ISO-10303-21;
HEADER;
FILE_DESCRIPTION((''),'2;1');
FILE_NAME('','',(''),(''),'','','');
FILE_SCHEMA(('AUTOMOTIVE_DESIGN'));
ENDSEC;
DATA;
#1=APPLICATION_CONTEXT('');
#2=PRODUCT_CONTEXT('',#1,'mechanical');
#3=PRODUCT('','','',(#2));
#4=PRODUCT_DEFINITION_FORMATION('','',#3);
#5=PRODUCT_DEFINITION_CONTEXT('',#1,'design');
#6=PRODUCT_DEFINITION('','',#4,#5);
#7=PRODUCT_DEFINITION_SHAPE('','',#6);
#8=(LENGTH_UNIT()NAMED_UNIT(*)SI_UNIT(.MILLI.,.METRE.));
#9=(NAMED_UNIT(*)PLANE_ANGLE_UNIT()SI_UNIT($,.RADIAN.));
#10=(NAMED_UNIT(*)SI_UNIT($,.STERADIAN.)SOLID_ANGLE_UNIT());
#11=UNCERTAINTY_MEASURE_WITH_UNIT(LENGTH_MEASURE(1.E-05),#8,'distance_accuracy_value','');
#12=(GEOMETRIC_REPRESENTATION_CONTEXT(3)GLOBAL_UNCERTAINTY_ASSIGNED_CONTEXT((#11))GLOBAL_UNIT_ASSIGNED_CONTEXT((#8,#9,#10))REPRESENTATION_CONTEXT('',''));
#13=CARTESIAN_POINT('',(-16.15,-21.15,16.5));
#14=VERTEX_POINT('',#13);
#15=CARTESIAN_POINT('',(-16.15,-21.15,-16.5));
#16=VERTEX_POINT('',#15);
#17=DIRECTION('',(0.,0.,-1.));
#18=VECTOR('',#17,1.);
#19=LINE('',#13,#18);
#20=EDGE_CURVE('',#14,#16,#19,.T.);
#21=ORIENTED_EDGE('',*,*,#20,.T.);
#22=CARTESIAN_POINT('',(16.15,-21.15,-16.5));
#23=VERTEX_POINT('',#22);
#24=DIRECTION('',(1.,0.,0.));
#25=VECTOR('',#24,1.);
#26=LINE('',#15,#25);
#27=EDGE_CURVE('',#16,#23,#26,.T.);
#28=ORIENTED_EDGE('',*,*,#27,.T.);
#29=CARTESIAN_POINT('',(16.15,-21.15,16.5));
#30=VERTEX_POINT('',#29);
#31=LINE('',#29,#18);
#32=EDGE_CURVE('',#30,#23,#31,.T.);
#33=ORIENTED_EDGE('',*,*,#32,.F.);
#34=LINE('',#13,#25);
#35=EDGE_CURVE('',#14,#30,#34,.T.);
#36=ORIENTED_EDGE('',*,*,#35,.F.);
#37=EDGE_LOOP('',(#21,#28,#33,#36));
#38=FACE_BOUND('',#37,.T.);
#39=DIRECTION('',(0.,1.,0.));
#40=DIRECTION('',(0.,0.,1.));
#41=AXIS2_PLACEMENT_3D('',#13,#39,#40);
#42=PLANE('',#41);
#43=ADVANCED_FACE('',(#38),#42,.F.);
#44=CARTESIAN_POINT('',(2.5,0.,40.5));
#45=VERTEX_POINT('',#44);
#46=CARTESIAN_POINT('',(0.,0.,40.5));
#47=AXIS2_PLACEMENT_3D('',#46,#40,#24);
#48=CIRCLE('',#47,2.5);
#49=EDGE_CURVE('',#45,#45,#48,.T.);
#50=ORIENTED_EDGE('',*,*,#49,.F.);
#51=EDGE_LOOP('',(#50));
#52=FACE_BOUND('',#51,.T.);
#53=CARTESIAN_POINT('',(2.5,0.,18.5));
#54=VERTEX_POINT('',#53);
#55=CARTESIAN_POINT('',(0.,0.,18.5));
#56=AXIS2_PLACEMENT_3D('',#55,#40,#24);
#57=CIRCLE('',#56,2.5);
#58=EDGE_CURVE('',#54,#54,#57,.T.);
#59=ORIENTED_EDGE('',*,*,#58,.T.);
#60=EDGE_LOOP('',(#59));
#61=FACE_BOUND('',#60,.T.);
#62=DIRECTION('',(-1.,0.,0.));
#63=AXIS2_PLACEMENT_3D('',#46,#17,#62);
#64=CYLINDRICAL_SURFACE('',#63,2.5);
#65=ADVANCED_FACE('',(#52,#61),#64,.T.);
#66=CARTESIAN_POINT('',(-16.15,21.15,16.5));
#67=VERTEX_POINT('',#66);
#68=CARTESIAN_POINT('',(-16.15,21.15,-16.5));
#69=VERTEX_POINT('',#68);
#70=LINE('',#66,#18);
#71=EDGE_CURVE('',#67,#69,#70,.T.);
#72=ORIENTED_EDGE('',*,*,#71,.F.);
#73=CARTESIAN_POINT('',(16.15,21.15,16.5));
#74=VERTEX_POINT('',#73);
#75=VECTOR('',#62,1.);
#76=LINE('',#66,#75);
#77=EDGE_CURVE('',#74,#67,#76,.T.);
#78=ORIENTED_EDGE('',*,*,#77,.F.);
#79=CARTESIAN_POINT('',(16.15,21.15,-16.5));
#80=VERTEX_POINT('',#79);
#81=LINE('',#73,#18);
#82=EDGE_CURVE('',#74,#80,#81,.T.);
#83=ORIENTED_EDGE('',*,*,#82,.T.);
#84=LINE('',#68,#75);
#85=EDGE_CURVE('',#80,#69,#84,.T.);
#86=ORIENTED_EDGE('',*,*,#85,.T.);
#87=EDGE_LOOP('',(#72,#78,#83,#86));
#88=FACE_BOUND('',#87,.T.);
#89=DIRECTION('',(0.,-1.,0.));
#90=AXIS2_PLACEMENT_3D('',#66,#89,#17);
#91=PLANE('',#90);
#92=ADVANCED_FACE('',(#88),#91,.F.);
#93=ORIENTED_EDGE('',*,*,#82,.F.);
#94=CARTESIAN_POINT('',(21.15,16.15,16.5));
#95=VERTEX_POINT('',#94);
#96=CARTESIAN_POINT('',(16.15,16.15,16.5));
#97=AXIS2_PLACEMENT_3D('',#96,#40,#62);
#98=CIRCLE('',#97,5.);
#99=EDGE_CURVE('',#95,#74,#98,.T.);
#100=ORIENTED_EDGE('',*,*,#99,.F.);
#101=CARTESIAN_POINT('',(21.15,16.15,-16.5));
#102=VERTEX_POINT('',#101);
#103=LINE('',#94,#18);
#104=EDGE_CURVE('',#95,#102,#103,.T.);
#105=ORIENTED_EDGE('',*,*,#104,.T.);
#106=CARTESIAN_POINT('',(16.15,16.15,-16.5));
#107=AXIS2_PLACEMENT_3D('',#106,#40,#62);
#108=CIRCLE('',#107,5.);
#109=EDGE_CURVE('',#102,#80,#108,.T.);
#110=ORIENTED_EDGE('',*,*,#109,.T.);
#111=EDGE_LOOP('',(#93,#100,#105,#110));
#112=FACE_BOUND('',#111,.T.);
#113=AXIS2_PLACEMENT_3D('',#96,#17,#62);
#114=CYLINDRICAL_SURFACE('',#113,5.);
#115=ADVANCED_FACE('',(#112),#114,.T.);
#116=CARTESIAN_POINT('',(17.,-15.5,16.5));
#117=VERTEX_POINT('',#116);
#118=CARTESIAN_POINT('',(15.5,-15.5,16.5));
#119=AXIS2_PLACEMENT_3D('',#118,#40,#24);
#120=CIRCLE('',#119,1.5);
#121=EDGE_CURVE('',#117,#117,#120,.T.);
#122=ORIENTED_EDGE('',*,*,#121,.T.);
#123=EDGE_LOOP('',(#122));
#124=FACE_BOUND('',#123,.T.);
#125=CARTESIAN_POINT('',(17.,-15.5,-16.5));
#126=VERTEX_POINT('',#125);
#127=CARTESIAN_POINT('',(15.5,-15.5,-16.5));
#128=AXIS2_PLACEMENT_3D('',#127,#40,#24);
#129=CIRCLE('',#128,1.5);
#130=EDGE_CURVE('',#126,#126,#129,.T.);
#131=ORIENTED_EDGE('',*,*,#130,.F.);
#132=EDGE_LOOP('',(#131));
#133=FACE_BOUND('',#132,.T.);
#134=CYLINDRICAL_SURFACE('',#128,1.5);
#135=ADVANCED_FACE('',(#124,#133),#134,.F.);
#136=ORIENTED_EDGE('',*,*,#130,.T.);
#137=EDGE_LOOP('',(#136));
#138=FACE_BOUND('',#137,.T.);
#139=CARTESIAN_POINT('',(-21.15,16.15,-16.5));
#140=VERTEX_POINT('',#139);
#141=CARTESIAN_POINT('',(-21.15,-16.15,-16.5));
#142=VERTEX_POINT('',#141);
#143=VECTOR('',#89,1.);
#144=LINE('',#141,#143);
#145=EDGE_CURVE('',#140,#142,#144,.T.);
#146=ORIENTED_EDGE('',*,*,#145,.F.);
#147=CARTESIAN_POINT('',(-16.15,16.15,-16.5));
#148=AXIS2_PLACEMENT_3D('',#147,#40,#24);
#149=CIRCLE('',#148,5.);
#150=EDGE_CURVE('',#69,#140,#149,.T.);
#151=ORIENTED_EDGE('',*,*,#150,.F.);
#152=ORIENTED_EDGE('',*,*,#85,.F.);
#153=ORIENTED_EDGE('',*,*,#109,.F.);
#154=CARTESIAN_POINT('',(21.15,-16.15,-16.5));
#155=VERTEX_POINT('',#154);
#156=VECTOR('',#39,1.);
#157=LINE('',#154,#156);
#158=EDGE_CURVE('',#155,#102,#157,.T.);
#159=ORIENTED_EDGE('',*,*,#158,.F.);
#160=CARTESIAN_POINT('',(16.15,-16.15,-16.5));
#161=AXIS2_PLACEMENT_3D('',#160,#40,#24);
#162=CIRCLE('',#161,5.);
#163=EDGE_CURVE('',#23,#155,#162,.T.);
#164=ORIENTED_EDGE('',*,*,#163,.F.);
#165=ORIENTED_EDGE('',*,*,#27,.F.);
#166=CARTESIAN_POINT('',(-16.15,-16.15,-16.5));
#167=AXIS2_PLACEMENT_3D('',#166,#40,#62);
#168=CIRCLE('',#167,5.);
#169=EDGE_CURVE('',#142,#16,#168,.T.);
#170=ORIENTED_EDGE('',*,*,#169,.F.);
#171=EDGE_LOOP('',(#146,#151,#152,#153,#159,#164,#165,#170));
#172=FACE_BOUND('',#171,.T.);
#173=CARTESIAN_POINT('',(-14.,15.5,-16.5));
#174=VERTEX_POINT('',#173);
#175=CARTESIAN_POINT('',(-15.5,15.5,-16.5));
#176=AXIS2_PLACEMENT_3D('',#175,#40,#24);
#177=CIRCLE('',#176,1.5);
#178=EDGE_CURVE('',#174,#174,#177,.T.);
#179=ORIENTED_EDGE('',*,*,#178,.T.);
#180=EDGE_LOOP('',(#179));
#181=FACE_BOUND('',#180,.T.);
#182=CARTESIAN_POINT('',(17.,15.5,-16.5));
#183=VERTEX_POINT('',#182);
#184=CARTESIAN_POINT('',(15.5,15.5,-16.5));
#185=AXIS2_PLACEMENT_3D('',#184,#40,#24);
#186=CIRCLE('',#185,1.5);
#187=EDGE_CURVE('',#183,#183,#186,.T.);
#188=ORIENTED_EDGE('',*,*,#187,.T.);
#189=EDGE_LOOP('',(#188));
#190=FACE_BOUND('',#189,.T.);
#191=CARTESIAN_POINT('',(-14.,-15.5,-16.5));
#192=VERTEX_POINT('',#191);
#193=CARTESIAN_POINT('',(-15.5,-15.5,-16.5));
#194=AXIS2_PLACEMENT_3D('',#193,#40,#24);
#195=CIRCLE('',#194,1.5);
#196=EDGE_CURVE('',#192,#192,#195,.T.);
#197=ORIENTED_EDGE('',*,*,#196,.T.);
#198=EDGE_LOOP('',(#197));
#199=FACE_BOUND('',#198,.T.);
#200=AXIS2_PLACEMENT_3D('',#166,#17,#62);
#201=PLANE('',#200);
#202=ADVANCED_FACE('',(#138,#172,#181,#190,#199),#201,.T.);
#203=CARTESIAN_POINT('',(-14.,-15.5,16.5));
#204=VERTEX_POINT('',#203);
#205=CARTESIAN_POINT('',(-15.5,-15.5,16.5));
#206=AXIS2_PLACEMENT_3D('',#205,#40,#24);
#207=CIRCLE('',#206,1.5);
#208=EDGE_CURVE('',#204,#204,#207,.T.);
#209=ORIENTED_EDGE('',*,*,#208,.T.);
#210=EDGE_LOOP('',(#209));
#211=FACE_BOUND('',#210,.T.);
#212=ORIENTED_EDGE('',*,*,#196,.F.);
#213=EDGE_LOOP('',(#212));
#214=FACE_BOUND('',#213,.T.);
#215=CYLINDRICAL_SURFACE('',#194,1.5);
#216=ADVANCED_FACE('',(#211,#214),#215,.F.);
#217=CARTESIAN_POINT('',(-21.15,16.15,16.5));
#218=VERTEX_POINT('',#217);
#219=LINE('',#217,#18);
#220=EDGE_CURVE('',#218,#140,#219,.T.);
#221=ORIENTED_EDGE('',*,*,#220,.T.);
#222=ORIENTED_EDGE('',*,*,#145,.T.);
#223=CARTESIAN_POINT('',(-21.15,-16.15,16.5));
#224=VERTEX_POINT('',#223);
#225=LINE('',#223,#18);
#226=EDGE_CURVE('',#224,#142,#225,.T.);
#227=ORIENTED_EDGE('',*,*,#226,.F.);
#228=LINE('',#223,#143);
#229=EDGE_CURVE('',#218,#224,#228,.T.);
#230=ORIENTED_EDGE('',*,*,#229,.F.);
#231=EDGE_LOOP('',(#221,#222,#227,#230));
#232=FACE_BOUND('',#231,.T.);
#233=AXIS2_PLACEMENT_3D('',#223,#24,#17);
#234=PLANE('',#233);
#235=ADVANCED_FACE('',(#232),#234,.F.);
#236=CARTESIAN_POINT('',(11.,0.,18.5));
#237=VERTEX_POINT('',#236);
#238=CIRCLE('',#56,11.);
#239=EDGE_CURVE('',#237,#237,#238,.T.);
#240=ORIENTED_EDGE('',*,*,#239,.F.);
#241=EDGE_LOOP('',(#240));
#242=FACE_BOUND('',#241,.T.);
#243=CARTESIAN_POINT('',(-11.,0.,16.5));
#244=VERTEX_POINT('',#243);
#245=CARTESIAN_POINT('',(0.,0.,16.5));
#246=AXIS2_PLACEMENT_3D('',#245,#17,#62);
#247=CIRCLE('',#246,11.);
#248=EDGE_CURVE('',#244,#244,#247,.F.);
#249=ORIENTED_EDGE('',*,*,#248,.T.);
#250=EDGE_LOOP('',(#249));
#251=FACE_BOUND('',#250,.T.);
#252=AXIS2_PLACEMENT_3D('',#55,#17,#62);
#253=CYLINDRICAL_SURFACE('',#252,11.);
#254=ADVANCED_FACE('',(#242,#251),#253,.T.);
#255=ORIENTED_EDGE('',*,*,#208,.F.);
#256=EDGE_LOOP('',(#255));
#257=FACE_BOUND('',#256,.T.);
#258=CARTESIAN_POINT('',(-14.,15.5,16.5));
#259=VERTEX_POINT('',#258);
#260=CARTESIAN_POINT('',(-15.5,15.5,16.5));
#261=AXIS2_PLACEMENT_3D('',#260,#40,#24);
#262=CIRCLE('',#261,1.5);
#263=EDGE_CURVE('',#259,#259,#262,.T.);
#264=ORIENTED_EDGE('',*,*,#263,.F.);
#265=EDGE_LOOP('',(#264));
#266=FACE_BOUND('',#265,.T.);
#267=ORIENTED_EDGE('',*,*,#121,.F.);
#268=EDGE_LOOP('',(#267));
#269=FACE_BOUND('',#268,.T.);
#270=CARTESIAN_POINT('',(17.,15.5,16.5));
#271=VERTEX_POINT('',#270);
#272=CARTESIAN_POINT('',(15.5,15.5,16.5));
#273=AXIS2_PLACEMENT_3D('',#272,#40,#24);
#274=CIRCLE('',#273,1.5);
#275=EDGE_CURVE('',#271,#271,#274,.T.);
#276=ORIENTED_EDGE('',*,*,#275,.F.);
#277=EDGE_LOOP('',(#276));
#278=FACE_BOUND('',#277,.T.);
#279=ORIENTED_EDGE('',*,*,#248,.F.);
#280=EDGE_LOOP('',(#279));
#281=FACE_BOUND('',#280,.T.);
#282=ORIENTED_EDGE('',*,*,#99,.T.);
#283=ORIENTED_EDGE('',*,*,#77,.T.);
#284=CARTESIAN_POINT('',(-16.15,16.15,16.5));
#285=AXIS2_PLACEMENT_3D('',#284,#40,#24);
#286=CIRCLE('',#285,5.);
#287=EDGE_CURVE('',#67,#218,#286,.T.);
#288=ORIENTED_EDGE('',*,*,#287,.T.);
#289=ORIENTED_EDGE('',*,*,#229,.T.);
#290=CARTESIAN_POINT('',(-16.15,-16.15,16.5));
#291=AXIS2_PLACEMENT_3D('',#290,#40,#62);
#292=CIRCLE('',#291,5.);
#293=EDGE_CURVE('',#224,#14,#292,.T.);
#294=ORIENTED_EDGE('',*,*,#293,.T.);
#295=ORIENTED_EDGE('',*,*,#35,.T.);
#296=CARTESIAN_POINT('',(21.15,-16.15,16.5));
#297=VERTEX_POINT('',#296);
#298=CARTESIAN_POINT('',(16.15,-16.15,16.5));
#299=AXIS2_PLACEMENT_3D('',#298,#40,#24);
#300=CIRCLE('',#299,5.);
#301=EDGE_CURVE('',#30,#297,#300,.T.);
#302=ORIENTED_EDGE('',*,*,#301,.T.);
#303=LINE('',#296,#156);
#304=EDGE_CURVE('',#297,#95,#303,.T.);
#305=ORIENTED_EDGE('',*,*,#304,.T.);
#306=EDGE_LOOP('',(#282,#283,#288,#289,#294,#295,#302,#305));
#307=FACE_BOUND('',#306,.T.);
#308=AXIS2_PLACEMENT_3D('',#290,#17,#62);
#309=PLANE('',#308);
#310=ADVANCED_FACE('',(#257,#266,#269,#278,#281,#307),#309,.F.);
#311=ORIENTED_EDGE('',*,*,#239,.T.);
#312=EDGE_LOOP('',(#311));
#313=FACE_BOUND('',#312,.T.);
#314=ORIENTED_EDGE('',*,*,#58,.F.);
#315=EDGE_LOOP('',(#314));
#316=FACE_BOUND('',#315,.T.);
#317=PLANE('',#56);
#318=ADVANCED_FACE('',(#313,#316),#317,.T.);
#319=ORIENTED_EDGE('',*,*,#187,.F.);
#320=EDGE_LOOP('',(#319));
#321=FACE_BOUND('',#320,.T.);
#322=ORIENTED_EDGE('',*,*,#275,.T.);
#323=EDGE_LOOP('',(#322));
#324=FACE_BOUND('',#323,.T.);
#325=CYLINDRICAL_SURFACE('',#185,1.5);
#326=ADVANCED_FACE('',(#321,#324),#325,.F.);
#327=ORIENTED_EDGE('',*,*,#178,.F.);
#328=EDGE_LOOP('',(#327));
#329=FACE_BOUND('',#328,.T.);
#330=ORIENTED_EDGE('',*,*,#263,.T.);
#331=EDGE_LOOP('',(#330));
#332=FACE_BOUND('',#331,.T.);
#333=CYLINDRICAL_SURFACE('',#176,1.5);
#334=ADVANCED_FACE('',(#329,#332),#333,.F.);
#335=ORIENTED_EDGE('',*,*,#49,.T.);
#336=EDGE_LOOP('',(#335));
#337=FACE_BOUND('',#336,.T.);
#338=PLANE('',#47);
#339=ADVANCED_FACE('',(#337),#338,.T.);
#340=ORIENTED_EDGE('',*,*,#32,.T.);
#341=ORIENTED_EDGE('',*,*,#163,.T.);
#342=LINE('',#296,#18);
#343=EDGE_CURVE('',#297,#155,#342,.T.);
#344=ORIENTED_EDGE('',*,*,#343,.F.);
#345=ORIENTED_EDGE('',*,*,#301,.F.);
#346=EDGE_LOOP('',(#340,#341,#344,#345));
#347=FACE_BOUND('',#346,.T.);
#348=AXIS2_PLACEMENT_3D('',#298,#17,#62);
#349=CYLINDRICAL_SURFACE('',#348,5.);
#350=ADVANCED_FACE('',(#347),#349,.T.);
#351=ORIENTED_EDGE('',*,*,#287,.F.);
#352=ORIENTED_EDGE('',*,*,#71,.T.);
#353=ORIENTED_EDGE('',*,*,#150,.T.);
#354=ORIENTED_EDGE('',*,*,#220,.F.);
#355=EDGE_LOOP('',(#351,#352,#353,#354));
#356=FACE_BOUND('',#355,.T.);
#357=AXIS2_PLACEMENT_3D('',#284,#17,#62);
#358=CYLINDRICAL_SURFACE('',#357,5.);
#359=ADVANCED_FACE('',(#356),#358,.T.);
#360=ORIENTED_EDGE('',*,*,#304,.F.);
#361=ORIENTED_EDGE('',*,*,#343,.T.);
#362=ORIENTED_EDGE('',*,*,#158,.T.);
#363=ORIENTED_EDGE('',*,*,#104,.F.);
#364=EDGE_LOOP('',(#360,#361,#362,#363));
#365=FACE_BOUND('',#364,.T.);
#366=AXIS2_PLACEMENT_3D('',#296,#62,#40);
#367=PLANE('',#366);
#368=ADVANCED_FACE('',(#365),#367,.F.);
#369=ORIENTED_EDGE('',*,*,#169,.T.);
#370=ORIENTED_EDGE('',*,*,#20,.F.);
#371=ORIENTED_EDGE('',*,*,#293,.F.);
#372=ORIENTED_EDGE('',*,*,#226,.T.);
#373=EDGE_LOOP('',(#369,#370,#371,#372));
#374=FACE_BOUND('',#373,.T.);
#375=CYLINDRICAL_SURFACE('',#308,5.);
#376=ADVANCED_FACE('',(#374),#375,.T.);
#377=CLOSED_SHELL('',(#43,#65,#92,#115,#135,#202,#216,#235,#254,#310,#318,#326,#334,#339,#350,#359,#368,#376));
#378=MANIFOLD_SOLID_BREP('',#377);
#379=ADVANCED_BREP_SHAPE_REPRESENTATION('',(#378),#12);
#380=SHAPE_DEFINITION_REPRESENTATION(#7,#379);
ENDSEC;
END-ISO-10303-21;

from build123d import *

# Parameters (mm, degrees)
BOSS_EXTRUDE1_DEPTH = 16.5
SKETCH5_R           = 1.5
CUT_EXTRUDE1_DEPTH  = 34
SKETCH2_R           = 2.5
BOSS_EXTRUDE2_DEPTH = 24
SKETCH3_R           = 11
BOSS_EXTRUDE3_DEPTH = 2


with BuildPart() as part:
    # Sketch1 → Boss-Extrude1 (new body, symmetric)
    with BuildSketch(Plane.XY):
        with BuildLine():
            Line((-16.15, -21.15), (16.15, -21.15))
            ThreePointArc((16.15, -21.15), (19.685533906, -19.685533906), (21.15, -16.15))
            Line((21.15, -16.15), (21.15, 16.15))
            ThreePointArc((21.15, 16.15), (19.685533906, 19.685533906), (16.15, 21.15))
            Line((16.15, 21.15), (-16.15, 21.15))
            ThreePointArc((-16.15, 21.15), (-19.685533906, 19.685533906), (-21.15, 16.15))
            Line((-21.15, 16.15), (-21.15, -16.15))
            ThreePointArc((-21.15, -16.15), (-19.685533906, -19.685533906), (-16.15, -21.15))
        make_face()
    extrude(amount=BOSS_EXTRUDE1_DEPTH, both=True)

    # Sketch5 → Cut-Extrude1 (cut, through all)
    with BuildSketch(Plane.XY.offset(16.5)):
        with Locations((-15.5, 15.5)):
            Circle(SKETCH5_R)
        with Locations((15.5, 15.5)):
            Circle(SKETCH5_R)
        with Locations((15.5, -15.5)):
            Circle(SKETCH5_R)
        with Locations((-15.5, -15.5)):
            Circle(SKETCH5_R)
    extrude(amount=-CUT_EXTRUDE1_DEPTH, mode=Mode.SUBTRACT)

    # Sketch2 → Boss-Extrude2 (add)
    with BuildSketch(Plane.XY.offset(16.5)):
        Circle(SKETCH2_R)
    extrude(amount=BOSS_EXTRUDE2_DEPTH)

    # Sketch3 → Boss-Extrude3 (add)
    with BuildSketch(Plane.XY.offset(16.5)):
        Circle(SKETCH3_R)
    extrude(amount=BOSS_EXTRUDE3_DEPTH)


solid = part.part
